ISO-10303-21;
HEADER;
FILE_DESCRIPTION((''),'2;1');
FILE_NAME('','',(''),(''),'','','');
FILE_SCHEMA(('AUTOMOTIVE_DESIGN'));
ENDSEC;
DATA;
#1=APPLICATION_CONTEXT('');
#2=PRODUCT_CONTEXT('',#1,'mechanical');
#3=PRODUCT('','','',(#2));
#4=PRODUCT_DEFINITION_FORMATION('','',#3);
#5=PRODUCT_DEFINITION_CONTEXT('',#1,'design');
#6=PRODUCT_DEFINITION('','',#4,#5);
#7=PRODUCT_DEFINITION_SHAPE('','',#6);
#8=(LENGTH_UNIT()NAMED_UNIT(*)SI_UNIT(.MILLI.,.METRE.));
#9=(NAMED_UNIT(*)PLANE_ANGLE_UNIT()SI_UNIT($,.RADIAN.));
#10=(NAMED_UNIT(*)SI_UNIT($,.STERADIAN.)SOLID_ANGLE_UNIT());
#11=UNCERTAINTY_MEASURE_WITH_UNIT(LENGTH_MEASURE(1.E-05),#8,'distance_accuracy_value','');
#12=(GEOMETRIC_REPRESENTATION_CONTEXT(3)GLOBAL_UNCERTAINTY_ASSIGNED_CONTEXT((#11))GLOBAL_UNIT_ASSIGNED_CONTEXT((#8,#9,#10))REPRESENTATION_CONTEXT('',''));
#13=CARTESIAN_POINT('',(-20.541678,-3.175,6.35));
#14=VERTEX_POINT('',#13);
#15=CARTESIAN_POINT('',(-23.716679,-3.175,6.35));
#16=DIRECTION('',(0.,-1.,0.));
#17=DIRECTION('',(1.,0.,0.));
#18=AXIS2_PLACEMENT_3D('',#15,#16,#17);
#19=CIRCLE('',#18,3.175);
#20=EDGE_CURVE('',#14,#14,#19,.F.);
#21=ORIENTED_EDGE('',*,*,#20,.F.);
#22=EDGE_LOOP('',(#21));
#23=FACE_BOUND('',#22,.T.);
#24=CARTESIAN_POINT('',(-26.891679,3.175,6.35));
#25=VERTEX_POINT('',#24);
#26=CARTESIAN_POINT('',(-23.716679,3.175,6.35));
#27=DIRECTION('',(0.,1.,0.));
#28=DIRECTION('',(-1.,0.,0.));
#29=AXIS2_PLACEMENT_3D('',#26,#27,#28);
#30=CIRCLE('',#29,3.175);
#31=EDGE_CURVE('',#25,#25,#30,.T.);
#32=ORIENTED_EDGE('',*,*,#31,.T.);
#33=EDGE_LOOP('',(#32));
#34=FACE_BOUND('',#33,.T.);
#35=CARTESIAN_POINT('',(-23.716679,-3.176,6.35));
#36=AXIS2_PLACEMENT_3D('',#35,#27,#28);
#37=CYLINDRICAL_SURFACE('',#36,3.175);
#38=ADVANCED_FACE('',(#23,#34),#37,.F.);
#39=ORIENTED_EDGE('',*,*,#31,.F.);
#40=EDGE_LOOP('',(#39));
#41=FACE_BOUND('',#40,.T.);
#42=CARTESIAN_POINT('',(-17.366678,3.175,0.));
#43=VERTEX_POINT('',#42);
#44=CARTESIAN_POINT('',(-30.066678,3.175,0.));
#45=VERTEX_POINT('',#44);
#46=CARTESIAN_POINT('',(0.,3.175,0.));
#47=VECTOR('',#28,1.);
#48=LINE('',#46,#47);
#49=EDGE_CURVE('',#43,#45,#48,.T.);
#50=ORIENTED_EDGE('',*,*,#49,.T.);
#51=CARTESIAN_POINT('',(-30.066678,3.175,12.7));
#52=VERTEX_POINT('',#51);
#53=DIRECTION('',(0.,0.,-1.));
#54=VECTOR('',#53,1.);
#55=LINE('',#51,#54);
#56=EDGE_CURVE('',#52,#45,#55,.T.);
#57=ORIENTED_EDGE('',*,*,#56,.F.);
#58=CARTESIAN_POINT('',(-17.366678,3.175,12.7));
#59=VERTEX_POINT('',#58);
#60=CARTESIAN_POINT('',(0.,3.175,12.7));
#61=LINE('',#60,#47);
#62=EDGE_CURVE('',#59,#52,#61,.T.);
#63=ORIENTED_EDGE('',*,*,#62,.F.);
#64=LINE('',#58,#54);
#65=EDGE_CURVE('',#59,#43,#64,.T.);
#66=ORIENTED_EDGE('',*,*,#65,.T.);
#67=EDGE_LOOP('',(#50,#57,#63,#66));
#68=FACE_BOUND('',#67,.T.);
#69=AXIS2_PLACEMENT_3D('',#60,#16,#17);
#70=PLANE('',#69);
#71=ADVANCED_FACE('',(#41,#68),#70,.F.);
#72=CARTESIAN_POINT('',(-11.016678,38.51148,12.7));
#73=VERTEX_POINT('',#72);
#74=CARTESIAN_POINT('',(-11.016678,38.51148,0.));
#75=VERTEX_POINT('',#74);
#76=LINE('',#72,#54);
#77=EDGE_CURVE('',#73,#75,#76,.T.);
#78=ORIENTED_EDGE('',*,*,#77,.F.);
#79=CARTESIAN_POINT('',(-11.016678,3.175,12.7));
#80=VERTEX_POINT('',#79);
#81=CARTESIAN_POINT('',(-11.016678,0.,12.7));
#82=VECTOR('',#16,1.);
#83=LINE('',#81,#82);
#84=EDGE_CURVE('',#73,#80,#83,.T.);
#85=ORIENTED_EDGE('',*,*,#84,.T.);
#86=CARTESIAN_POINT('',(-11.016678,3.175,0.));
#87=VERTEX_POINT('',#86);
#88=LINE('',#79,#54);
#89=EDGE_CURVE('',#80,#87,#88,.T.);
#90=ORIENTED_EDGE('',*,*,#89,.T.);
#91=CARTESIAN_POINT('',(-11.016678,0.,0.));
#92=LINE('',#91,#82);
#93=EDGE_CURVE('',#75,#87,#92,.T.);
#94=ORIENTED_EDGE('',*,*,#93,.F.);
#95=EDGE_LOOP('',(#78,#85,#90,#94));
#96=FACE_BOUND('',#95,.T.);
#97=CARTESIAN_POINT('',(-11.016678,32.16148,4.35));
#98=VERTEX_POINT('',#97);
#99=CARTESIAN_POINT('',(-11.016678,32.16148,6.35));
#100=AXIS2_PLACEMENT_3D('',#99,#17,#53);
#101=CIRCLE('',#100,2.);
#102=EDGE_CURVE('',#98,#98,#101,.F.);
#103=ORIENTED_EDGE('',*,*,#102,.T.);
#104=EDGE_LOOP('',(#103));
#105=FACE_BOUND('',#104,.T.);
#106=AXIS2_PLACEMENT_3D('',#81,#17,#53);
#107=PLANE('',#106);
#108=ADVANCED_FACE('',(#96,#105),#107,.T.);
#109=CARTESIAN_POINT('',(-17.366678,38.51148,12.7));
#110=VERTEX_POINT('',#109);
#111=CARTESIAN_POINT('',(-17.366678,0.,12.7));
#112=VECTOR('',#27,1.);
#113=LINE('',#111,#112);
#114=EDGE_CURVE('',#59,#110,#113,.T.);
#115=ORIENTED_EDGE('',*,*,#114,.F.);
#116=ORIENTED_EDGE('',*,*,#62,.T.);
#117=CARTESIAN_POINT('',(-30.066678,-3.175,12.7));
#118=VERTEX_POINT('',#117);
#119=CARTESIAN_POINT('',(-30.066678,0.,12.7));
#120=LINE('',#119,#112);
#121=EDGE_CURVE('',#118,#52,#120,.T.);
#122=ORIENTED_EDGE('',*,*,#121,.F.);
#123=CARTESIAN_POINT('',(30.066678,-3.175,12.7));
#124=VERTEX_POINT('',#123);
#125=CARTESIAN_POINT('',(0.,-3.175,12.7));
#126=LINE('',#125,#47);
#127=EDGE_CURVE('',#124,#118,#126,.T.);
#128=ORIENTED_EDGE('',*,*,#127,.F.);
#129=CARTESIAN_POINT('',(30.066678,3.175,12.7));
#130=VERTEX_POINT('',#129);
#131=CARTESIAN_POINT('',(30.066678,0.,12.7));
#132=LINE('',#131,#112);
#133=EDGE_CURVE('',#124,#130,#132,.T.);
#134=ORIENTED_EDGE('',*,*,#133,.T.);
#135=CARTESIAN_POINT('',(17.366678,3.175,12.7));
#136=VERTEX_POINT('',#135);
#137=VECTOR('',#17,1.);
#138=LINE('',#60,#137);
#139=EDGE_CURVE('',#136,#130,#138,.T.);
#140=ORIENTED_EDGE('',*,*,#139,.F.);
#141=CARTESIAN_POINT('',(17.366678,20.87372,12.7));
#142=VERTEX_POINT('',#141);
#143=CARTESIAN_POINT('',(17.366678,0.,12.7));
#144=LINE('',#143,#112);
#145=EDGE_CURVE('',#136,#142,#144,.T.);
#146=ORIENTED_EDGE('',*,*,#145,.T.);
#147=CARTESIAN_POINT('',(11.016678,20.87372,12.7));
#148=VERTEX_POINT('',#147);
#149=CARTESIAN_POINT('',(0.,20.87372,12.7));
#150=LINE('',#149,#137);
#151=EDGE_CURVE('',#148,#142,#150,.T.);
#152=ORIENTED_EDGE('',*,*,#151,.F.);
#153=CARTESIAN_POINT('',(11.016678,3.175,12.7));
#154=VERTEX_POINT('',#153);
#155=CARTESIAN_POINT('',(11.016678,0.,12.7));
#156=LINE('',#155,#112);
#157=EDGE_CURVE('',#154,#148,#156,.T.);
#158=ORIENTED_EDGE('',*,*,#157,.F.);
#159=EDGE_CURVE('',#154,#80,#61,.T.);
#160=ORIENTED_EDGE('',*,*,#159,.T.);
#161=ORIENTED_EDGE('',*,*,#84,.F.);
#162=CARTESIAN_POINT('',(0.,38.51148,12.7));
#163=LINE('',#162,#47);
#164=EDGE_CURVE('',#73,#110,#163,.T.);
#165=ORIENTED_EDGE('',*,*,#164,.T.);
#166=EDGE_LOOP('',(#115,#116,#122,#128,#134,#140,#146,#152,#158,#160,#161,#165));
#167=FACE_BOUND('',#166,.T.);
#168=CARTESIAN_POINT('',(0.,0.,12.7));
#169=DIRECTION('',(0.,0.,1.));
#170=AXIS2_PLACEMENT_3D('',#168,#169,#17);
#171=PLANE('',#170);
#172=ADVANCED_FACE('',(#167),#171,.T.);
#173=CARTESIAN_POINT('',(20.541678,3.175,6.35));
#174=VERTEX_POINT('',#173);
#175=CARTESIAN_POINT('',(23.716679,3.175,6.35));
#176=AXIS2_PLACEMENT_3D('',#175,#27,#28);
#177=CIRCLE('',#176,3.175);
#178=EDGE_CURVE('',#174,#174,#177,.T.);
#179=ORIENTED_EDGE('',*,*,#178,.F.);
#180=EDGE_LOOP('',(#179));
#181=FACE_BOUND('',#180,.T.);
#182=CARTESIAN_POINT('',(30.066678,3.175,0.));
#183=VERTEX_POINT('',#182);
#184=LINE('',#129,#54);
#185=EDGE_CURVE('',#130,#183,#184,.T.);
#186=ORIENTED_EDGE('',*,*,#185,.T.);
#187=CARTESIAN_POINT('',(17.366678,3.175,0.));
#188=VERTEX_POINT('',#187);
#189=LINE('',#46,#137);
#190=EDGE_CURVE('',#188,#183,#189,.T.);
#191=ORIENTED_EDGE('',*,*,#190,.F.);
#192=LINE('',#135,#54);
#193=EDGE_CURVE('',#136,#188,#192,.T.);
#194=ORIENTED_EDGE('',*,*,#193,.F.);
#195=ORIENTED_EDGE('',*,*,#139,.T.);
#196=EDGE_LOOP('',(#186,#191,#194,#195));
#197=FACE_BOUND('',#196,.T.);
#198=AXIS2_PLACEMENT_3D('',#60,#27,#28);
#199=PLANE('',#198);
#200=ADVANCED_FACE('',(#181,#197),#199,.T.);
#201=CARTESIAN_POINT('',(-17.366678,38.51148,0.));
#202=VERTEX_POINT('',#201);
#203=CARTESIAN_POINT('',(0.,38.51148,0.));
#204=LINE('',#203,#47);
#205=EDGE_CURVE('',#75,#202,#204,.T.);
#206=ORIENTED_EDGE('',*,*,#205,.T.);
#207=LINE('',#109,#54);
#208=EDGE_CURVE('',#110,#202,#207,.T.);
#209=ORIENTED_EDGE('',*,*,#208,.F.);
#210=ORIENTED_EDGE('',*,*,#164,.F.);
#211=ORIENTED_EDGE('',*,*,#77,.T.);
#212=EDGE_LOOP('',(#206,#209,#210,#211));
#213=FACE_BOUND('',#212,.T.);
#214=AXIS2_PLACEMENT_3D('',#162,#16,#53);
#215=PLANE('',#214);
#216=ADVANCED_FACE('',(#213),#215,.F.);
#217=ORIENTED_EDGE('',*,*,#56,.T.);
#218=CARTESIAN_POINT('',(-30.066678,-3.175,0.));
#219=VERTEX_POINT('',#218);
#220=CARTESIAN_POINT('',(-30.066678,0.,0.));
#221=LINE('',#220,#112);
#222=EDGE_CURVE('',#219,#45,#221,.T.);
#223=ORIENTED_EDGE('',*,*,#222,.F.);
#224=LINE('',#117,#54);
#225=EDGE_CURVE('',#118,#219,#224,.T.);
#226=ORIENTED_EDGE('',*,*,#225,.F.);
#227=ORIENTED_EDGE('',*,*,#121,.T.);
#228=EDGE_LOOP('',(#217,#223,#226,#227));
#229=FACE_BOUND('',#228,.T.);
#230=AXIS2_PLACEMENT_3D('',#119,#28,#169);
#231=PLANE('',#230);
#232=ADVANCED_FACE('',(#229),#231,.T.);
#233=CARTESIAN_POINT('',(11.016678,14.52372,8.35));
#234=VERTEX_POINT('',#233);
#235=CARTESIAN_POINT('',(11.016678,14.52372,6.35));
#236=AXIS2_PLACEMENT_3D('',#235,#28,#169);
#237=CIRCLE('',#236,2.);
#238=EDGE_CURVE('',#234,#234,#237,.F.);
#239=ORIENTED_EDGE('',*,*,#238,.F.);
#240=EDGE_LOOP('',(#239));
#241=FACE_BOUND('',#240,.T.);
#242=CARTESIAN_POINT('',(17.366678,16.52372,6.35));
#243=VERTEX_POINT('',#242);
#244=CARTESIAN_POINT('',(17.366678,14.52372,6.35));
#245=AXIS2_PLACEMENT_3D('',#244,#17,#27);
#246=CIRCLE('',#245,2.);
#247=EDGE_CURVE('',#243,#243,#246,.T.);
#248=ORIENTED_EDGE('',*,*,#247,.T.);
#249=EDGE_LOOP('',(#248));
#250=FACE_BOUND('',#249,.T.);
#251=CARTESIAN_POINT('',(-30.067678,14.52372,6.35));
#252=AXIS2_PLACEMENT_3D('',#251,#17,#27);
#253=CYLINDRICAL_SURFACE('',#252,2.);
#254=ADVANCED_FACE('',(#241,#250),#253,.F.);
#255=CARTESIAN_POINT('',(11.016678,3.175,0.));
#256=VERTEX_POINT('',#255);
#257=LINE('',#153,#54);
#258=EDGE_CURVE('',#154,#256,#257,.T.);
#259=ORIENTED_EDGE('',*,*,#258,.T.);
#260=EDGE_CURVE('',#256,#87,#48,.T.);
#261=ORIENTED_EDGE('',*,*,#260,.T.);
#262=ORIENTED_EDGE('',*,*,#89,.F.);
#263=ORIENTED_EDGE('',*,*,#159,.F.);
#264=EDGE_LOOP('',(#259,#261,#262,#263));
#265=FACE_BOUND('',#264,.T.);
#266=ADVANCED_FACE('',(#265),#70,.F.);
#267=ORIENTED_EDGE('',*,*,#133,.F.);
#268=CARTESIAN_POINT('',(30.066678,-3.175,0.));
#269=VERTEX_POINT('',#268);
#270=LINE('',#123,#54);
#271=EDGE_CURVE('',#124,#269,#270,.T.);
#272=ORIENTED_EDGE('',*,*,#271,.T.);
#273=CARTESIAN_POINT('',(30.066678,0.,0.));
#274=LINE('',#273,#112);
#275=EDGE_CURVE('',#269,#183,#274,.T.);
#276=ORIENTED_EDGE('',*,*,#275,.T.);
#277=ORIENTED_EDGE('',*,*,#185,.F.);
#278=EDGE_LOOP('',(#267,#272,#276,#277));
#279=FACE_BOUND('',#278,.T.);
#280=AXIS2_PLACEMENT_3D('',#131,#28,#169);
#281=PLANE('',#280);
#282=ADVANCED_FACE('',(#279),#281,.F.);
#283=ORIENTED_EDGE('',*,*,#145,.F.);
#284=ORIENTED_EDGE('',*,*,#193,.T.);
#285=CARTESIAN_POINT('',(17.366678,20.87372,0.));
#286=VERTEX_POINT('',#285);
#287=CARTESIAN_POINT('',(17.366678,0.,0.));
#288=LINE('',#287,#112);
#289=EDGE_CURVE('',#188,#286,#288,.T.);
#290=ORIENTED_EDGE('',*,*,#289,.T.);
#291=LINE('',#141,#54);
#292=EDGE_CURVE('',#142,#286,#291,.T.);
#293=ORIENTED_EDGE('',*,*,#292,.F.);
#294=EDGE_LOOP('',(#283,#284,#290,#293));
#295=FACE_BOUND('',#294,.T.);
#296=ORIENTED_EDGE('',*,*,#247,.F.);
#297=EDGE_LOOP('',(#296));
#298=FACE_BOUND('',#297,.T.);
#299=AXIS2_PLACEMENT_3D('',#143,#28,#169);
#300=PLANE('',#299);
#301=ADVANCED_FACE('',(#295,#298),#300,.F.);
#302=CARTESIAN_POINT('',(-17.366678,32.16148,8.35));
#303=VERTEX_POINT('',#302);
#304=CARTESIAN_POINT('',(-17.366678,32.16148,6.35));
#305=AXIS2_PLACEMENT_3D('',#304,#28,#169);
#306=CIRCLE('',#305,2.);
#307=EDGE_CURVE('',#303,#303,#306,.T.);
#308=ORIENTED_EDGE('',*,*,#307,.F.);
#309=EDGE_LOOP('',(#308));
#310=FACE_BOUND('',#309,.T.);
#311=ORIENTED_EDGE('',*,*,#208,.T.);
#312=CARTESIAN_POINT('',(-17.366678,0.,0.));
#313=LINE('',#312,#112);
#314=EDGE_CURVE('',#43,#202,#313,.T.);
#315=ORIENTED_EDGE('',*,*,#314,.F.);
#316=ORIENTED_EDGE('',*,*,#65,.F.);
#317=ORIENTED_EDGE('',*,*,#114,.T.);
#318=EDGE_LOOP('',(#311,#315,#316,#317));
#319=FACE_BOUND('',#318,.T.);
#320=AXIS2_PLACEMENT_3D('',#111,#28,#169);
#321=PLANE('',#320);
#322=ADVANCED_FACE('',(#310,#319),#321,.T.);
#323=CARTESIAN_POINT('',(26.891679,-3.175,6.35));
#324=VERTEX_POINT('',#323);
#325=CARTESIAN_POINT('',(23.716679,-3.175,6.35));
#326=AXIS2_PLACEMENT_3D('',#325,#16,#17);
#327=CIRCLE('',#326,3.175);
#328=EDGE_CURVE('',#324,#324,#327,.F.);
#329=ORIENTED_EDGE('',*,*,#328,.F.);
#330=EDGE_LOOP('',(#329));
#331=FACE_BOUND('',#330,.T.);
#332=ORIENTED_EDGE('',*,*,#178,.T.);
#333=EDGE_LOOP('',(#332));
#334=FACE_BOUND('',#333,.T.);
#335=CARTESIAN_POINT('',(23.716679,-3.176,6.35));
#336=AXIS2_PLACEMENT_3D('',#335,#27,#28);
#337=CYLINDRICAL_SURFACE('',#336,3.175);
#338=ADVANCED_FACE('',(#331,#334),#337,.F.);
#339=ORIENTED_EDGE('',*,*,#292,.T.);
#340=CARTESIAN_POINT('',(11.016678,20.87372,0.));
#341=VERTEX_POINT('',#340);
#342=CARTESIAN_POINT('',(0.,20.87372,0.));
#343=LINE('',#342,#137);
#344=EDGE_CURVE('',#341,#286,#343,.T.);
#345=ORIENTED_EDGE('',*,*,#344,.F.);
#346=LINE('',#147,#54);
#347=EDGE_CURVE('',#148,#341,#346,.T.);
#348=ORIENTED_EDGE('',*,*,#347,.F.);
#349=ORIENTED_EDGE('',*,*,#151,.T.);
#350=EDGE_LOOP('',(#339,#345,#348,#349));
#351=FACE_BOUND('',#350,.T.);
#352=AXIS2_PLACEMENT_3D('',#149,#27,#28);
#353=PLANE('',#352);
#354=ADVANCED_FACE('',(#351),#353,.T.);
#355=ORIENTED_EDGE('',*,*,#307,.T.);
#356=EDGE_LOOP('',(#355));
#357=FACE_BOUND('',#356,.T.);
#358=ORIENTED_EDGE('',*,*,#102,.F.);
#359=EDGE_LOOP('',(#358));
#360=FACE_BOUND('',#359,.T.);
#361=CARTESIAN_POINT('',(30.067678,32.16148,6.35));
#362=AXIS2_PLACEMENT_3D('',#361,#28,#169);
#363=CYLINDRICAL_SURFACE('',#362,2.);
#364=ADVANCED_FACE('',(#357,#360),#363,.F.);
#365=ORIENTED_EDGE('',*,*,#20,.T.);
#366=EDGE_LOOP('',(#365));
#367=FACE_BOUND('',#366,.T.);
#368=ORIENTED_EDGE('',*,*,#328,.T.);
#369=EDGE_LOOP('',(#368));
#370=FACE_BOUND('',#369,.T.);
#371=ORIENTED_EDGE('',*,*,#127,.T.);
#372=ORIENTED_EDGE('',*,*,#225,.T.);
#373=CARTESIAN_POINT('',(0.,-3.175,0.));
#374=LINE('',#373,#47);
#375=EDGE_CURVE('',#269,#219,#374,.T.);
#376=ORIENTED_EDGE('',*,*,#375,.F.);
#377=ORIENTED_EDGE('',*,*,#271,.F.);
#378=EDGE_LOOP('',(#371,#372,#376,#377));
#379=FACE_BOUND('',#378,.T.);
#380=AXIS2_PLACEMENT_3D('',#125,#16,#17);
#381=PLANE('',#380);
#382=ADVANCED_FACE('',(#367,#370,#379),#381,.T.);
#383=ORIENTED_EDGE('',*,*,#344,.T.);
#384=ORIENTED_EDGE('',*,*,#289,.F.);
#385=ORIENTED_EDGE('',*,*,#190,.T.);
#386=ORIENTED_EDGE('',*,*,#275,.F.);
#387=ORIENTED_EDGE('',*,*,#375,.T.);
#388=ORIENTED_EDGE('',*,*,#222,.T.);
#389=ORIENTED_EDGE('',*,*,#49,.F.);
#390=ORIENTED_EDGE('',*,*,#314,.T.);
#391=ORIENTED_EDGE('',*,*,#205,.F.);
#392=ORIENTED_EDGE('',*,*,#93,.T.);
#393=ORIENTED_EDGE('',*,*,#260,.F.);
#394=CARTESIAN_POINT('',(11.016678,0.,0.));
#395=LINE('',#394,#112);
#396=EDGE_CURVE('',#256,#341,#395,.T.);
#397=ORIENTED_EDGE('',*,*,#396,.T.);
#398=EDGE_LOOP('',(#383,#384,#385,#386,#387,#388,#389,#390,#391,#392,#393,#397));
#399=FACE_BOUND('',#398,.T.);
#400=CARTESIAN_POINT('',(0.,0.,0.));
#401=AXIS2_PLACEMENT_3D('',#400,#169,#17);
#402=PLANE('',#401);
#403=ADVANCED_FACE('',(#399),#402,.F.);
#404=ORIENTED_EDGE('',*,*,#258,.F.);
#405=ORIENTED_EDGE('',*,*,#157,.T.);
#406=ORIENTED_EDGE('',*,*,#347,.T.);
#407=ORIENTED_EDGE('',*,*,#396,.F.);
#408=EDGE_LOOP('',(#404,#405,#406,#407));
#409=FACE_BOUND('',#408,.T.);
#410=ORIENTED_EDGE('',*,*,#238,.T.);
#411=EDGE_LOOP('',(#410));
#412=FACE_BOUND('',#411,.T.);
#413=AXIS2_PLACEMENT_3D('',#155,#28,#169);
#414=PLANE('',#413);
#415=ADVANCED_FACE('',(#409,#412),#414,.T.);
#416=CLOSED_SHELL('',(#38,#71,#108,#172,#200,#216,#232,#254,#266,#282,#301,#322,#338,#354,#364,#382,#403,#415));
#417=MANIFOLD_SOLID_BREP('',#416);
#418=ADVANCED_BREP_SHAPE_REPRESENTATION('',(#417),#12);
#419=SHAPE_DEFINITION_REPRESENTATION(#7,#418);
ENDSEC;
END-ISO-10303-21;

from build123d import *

# Parameters (mm, degrees)
SKETCH1_W           = 22.033357
SKETCH1_H           = 6.35
SKETCH1_W_2         = 12.7
BOSS_EXTRUDE1_DEPTH = 12.7
CUT_EXTRUDE1_REACH  = 49.433
SKETCH2_R           = 2
CUT_EXTRUDE2_REACH  = 8.35
SKETCH3_R           = 3.175
CUT_EXTRUDE3_REACH  = 49.433
SKETCH4_R           = 2


with BuildPart() as part:
    # Sketch1 → Boss-Extrude1 (new body)
    with BuildSketch(Plane.XY):
        Rectangle(SKETCH1_W, SKETCH1_H)
        Polygon((-11.0166785, -3.175), (-11.0166785, 3.175), (-11.0166785, 38.51148), (-17.3666785, 38.51148), (-17.3666785, 3.175), (-17.3666785, -3.175), align=None)
        Polygon((11.0166785, 20.87372), (11.0166785, 3.175), (11.0166785, -3.175), (17.3666785, -3.175), (17.3666785, 3.175), (17.3666785, 20.87372), align=None)
        with Locations((-23.7166785, 0)):
            Rectangle(SKETCH1_W_2, SKETCH1_H)
        with Locations((23.7166785, 0)):
            Rectangle(SKETCH1_W_2, SKETCH1_H)
    extrude(amount=BOSS_EXTRUDE1_DEPTH)

    # Sketch2 → Cut-Extrude1 (cut, up to next)
    with BuildSketch(Plane(origin=(17.3666785, 0, 0), x_dir=(0, 0, -1), z_dir=(1, 0, 0)), mode=Mode.PRIVATE) as cut_extrude1_sk1:
        with Locations((-6.35, 14.52372)):
            Circle(SKETCH2_R)
    cut_extrude1_tool1 = extrude(cut_extrude1_sk1.sketch, amount=-CUT_EXTRUDE1_REACH, mode=Mode.PRIVATE) & part.part
    add(cut_extrude1_tool1.solids().sort_by_distance((17.366678, 14.52372, 6.35))[0], mode=Mode.SUBTRACT)

    # Sketch3 → Cut-Extrude2 (cut, up to next)
    with BuildSketch(Plane(origin=(0, 3.175, 0), x_dir=(1, 0, 0), z_dir=(0, 1, 0)), mode=Mode.PRIVATE) as cut_extrude2_sk1:
        with Locations((-23.7166785, -6.35)):
            Circle(SKETCH3_R)
    cut_extrude2_tool1 = extrude(cut_extrude2_sk1.sketch, amount=-CUT_EXTRUDE2_REACH, mode=Mode.PRIVATE) & part.part
    add(cut_extrude2_tool1.solids().sort_by_distance((-23.716678, 3.175, 6.35))[0], mode=Mode.SUBTRACT)
    # Sketch3 → Cut-Extrude2 (cut, up to next)
    with BuildSketch(Plane(origin=(0, 3.175, 0), x_dir=(1, 0, 0), z_dir=(0, 1, 0)), mode=Mode.PRIVATE) as cut_extrude2_sk2:
        with Locations((23.7166785, -6.35)):
            Circle(SKETCH3_R)
    cut_extrude2_tool2 = extrude(cut_extrude2_sk2.sketch, amount=-CUT_EXTRUDE2_REACH, mode=Mode.PRIVATE) & part.part
    add(cut_extrude2_tool2.solids().sort_by_distance((23.716679, 3.175, 6.35))[0], mode=Mode.SUBTRACT)

    # Sketch4 → Cut-Extrude3 (cut, up to next)
    with BuildSketch(Plane.ZY.offset(17.3666785), mode=Mode.PRIVATE) as cut_extrude3_sk1:
        with Locations((6.35, 32.16148)):
            Circle(SKETCH4_R)
    cut_extrude3_tool1 = extrude(cut_extrude3_sk1.sketch, amount=-CUT_EXTRUDE3_REACH, mode=Mode.PRIVATE) & part.part
    add(cut_extrude3_tool1.solids().sort_by_distance((-17.366678, 32.16148, 6.35))[0], mode=Mode.SUBTRACT)


solid = part.part
